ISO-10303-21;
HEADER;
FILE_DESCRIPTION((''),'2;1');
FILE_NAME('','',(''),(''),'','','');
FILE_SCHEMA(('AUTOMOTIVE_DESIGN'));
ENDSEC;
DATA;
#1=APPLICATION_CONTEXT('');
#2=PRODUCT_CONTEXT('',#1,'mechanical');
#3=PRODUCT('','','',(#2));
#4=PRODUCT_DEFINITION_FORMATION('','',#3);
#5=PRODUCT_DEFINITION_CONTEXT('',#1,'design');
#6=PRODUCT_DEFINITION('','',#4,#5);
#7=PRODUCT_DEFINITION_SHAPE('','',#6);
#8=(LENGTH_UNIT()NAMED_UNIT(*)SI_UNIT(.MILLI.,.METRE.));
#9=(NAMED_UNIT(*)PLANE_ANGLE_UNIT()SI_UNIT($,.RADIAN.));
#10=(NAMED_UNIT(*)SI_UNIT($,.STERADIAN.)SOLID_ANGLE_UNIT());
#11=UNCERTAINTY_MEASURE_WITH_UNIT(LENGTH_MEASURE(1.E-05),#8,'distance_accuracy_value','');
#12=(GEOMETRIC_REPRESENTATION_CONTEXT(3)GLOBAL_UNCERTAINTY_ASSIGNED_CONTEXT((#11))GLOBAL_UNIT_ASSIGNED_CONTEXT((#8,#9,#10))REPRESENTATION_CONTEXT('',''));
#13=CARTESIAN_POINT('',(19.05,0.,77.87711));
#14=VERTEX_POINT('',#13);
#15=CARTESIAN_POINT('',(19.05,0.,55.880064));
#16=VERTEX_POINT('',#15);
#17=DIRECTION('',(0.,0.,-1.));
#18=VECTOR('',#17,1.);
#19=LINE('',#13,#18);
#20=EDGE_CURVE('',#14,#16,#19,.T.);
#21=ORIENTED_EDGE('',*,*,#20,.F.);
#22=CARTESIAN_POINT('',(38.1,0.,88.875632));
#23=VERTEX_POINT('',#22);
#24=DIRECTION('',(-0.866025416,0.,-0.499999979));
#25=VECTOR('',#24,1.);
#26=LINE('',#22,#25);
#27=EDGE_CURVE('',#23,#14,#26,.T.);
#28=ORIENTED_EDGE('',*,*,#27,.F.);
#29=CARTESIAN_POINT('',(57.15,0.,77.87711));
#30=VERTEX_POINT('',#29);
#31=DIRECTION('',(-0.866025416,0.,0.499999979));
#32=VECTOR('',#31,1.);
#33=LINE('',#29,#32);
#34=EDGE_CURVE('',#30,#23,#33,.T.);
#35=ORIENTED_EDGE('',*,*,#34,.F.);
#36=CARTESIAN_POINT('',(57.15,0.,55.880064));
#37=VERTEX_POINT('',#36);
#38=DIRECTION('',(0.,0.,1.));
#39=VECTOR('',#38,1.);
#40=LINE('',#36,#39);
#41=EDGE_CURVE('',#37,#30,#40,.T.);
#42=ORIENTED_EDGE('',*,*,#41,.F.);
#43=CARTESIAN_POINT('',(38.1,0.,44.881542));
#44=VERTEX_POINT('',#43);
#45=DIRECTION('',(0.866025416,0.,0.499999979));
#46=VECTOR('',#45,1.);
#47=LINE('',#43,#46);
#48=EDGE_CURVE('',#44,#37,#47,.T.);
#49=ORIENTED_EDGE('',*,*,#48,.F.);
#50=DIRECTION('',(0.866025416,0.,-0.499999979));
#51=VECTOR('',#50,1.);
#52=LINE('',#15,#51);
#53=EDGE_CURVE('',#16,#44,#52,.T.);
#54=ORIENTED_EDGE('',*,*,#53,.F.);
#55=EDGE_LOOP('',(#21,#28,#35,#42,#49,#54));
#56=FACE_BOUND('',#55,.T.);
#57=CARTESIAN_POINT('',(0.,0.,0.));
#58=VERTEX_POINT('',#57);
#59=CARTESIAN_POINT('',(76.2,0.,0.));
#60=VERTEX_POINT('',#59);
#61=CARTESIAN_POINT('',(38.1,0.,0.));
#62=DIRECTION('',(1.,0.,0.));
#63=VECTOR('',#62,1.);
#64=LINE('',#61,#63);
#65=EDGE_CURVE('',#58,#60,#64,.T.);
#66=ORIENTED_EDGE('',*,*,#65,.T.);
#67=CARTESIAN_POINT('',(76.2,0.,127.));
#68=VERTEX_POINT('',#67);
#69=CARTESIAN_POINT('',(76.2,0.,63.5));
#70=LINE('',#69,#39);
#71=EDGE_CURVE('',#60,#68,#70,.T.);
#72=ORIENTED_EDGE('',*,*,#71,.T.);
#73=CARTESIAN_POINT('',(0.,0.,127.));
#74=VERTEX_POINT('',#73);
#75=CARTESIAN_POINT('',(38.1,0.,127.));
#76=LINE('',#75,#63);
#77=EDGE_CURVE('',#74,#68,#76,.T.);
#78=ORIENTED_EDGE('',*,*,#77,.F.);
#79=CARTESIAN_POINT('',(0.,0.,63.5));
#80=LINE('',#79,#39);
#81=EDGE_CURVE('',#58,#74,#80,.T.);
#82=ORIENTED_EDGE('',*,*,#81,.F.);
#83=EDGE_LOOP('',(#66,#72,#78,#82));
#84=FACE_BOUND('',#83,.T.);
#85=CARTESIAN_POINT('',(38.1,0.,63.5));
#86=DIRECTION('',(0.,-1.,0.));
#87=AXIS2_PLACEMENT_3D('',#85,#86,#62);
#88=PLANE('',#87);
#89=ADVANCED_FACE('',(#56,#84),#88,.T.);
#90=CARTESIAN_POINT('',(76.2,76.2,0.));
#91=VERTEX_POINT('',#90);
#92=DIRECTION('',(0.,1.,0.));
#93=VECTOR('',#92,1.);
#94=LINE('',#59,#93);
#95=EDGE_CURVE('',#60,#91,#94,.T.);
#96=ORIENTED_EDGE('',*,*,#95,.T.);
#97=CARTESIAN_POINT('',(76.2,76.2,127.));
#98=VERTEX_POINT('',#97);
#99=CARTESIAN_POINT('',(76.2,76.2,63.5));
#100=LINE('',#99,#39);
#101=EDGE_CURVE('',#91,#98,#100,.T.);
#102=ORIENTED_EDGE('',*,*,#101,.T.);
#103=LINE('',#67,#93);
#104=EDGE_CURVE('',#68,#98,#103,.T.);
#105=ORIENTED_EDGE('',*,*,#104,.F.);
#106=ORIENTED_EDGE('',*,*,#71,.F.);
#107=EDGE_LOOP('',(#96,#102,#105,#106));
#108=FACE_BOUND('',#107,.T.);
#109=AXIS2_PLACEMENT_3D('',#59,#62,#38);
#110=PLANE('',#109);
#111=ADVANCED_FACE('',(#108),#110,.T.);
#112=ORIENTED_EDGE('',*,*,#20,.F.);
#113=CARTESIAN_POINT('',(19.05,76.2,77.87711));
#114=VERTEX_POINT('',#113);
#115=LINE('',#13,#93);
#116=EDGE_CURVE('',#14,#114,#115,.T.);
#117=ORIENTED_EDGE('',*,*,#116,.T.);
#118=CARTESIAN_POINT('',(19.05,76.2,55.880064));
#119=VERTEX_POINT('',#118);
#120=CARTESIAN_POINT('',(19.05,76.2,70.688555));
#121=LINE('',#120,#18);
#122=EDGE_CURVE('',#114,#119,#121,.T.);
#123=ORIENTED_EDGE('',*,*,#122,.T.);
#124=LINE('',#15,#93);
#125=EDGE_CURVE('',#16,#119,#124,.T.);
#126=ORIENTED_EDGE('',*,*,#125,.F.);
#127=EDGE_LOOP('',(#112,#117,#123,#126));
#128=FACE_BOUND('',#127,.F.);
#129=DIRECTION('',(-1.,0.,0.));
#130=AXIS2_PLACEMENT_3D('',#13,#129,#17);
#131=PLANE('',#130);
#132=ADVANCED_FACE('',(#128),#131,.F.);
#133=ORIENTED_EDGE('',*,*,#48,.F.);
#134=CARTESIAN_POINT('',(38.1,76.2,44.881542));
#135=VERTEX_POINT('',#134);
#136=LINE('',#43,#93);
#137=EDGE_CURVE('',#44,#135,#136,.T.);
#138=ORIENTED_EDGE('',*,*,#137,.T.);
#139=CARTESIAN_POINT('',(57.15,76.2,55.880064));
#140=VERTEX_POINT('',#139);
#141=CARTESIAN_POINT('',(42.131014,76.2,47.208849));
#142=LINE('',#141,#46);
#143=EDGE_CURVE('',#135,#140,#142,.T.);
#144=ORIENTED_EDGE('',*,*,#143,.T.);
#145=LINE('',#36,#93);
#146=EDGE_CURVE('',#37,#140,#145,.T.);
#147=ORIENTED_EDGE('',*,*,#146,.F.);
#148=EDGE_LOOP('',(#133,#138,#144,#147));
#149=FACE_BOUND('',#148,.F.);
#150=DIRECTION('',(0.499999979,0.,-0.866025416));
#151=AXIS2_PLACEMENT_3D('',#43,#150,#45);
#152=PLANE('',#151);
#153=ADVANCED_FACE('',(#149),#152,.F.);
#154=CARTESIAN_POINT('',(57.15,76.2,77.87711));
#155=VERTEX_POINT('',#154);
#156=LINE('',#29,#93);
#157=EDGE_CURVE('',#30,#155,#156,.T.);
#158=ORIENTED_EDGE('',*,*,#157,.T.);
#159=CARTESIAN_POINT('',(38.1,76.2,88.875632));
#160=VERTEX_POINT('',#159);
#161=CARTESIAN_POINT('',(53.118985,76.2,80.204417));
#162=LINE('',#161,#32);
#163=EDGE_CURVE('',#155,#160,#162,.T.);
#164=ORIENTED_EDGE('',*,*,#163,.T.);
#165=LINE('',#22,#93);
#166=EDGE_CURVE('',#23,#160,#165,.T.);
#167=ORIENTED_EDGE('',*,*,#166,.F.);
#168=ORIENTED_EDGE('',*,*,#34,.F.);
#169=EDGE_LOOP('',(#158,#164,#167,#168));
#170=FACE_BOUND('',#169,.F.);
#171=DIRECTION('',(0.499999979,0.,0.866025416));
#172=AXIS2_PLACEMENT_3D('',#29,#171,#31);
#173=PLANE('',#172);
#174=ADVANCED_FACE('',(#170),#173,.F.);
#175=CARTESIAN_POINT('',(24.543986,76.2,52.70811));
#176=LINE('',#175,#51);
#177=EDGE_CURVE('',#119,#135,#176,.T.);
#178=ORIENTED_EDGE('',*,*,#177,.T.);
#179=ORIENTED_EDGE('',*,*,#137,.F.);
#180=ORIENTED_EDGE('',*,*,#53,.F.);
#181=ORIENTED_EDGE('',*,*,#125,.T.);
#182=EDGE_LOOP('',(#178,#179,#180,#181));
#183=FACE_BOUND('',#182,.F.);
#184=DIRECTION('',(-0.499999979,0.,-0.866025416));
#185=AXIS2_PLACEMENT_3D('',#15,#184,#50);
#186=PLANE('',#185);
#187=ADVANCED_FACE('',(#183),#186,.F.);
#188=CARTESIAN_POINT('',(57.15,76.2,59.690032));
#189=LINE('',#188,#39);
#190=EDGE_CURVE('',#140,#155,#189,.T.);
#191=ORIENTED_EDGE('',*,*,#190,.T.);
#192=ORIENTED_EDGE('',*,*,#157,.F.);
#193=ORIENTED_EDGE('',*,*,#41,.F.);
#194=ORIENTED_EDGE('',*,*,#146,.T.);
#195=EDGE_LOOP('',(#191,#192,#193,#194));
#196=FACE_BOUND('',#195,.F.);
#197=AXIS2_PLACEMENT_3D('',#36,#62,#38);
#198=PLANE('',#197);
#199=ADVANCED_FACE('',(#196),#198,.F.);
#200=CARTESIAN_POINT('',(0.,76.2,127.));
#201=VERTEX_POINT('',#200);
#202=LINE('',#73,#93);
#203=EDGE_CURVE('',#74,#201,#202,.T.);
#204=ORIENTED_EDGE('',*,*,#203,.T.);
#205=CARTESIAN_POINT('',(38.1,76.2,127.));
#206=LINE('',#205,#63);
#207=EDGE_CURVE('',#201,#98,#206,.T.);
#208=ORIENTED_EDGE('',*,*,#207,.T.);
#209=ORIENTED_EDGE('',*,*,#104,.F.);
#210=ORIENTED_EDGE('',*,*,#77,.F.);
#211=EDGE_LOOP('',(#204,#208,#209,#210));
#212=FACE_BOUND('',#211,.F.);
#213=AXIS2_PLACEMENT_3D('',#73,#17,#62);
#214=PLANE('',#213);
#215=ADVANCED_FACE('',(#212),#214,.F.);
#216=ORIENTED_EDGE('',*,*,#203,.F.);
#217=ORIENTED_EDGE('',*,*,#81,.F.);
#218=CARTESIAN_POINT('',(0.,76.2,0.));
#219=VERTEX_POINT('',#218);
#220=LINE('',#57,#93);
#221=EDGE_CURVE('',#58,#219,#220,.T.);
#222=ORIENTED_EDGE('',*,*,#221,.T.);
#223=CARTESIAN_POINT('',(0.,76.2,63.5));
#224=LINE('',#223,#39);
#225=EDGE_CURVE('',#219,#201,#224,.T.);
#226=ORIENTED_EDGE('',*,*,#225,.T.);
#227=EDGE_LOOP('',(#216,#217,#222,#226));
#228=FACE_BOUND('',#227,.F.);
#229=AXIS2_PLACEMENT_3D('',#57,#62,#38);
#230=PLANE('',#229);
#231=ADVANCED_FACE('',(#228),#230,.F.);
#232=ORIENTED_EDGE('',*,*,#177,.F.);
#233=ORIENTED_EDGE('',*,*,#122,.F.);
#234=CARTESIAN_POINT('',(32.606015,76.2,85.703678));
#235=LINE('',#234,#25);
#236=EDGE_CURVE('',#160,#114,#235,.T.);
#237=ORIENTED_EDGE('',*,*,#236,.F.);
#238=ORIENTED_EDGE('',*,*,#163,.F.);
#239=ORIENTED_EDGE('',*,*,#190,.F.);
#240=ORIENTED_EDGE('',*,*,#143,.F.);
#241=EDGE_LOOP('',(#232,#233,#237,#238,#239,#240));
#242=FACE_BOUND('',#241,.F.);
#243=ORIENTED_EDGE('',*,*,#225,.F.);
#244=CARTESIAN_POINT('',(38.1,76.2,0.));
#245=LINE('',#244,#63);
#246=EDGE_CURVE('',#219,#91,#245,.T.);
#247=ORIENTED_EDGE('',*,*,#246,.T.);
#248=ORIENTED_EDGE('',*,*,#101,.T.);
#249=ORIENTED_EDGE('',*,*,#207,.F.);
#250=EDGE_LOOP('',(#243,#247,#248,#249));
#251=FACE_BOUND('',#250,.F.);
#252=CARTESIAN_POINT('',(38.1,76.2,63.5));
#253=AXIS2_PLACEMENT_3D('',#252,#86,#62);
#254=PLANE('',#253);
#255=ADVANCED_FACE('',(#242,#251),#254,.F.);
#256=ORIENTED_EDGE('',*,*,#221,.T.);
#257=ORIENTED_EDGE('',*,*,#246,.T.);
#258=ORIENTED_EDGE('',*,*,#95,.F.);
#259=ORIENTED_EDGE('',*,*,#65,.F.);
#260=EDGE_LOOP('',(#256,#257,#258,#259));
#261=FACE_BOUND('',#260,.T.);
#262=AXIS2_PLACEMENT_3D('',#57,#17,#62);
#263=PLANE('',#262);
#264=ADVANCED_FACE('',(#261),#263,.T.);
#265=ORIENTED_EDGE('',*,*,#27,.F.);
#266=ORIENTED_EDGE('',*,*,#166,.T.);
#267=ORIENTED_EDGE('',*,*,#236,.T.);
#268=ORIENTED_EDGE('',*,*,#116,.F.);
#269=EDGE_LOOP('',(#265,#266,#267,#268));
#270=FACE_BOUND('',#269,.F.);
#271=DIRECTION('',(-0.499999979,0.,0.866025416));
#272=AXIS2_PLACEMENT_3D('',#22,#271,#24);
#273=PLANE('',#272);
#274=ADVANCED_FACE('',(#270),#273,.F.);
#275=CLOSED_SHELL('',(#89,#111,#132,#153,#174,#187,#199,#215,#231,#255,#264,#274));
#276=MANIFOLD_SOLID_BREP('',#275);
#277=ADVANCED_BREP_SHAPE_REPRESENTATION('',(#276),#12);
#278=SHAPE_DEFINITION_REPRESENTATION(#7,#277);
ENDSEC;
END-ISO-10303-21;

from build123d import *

# Parameters (mm, degrees)
F0_W     = 76.2
F0_H     = 127
F1_DEPTH = 76.2
F3_DEPTH = 76.201


with BuildPart() as f1:
    # F0 (on Front) → F1 (new body)
    with BuildSketch(Plane.XZ):
        with Locations((38.1, 63.5)):
            Rectangle(F0_W, F0_H)
    extrude(amount=-F1_DEPTH)

    # F2 (on face) → F3 (cut, through all)
    with BuildSketch(Plane.XZ):
        Polygon((57.15, 55.880064), (57.15, 77.87711), (38.1, 88.875632), (19.05, 77.87711), (19.05, 55.880064), (38.1, 44.881542), align=None)
    extrude(amount=-F3_DEPTH, mode=Mode.SUBTRACT)


solid = f1.part
